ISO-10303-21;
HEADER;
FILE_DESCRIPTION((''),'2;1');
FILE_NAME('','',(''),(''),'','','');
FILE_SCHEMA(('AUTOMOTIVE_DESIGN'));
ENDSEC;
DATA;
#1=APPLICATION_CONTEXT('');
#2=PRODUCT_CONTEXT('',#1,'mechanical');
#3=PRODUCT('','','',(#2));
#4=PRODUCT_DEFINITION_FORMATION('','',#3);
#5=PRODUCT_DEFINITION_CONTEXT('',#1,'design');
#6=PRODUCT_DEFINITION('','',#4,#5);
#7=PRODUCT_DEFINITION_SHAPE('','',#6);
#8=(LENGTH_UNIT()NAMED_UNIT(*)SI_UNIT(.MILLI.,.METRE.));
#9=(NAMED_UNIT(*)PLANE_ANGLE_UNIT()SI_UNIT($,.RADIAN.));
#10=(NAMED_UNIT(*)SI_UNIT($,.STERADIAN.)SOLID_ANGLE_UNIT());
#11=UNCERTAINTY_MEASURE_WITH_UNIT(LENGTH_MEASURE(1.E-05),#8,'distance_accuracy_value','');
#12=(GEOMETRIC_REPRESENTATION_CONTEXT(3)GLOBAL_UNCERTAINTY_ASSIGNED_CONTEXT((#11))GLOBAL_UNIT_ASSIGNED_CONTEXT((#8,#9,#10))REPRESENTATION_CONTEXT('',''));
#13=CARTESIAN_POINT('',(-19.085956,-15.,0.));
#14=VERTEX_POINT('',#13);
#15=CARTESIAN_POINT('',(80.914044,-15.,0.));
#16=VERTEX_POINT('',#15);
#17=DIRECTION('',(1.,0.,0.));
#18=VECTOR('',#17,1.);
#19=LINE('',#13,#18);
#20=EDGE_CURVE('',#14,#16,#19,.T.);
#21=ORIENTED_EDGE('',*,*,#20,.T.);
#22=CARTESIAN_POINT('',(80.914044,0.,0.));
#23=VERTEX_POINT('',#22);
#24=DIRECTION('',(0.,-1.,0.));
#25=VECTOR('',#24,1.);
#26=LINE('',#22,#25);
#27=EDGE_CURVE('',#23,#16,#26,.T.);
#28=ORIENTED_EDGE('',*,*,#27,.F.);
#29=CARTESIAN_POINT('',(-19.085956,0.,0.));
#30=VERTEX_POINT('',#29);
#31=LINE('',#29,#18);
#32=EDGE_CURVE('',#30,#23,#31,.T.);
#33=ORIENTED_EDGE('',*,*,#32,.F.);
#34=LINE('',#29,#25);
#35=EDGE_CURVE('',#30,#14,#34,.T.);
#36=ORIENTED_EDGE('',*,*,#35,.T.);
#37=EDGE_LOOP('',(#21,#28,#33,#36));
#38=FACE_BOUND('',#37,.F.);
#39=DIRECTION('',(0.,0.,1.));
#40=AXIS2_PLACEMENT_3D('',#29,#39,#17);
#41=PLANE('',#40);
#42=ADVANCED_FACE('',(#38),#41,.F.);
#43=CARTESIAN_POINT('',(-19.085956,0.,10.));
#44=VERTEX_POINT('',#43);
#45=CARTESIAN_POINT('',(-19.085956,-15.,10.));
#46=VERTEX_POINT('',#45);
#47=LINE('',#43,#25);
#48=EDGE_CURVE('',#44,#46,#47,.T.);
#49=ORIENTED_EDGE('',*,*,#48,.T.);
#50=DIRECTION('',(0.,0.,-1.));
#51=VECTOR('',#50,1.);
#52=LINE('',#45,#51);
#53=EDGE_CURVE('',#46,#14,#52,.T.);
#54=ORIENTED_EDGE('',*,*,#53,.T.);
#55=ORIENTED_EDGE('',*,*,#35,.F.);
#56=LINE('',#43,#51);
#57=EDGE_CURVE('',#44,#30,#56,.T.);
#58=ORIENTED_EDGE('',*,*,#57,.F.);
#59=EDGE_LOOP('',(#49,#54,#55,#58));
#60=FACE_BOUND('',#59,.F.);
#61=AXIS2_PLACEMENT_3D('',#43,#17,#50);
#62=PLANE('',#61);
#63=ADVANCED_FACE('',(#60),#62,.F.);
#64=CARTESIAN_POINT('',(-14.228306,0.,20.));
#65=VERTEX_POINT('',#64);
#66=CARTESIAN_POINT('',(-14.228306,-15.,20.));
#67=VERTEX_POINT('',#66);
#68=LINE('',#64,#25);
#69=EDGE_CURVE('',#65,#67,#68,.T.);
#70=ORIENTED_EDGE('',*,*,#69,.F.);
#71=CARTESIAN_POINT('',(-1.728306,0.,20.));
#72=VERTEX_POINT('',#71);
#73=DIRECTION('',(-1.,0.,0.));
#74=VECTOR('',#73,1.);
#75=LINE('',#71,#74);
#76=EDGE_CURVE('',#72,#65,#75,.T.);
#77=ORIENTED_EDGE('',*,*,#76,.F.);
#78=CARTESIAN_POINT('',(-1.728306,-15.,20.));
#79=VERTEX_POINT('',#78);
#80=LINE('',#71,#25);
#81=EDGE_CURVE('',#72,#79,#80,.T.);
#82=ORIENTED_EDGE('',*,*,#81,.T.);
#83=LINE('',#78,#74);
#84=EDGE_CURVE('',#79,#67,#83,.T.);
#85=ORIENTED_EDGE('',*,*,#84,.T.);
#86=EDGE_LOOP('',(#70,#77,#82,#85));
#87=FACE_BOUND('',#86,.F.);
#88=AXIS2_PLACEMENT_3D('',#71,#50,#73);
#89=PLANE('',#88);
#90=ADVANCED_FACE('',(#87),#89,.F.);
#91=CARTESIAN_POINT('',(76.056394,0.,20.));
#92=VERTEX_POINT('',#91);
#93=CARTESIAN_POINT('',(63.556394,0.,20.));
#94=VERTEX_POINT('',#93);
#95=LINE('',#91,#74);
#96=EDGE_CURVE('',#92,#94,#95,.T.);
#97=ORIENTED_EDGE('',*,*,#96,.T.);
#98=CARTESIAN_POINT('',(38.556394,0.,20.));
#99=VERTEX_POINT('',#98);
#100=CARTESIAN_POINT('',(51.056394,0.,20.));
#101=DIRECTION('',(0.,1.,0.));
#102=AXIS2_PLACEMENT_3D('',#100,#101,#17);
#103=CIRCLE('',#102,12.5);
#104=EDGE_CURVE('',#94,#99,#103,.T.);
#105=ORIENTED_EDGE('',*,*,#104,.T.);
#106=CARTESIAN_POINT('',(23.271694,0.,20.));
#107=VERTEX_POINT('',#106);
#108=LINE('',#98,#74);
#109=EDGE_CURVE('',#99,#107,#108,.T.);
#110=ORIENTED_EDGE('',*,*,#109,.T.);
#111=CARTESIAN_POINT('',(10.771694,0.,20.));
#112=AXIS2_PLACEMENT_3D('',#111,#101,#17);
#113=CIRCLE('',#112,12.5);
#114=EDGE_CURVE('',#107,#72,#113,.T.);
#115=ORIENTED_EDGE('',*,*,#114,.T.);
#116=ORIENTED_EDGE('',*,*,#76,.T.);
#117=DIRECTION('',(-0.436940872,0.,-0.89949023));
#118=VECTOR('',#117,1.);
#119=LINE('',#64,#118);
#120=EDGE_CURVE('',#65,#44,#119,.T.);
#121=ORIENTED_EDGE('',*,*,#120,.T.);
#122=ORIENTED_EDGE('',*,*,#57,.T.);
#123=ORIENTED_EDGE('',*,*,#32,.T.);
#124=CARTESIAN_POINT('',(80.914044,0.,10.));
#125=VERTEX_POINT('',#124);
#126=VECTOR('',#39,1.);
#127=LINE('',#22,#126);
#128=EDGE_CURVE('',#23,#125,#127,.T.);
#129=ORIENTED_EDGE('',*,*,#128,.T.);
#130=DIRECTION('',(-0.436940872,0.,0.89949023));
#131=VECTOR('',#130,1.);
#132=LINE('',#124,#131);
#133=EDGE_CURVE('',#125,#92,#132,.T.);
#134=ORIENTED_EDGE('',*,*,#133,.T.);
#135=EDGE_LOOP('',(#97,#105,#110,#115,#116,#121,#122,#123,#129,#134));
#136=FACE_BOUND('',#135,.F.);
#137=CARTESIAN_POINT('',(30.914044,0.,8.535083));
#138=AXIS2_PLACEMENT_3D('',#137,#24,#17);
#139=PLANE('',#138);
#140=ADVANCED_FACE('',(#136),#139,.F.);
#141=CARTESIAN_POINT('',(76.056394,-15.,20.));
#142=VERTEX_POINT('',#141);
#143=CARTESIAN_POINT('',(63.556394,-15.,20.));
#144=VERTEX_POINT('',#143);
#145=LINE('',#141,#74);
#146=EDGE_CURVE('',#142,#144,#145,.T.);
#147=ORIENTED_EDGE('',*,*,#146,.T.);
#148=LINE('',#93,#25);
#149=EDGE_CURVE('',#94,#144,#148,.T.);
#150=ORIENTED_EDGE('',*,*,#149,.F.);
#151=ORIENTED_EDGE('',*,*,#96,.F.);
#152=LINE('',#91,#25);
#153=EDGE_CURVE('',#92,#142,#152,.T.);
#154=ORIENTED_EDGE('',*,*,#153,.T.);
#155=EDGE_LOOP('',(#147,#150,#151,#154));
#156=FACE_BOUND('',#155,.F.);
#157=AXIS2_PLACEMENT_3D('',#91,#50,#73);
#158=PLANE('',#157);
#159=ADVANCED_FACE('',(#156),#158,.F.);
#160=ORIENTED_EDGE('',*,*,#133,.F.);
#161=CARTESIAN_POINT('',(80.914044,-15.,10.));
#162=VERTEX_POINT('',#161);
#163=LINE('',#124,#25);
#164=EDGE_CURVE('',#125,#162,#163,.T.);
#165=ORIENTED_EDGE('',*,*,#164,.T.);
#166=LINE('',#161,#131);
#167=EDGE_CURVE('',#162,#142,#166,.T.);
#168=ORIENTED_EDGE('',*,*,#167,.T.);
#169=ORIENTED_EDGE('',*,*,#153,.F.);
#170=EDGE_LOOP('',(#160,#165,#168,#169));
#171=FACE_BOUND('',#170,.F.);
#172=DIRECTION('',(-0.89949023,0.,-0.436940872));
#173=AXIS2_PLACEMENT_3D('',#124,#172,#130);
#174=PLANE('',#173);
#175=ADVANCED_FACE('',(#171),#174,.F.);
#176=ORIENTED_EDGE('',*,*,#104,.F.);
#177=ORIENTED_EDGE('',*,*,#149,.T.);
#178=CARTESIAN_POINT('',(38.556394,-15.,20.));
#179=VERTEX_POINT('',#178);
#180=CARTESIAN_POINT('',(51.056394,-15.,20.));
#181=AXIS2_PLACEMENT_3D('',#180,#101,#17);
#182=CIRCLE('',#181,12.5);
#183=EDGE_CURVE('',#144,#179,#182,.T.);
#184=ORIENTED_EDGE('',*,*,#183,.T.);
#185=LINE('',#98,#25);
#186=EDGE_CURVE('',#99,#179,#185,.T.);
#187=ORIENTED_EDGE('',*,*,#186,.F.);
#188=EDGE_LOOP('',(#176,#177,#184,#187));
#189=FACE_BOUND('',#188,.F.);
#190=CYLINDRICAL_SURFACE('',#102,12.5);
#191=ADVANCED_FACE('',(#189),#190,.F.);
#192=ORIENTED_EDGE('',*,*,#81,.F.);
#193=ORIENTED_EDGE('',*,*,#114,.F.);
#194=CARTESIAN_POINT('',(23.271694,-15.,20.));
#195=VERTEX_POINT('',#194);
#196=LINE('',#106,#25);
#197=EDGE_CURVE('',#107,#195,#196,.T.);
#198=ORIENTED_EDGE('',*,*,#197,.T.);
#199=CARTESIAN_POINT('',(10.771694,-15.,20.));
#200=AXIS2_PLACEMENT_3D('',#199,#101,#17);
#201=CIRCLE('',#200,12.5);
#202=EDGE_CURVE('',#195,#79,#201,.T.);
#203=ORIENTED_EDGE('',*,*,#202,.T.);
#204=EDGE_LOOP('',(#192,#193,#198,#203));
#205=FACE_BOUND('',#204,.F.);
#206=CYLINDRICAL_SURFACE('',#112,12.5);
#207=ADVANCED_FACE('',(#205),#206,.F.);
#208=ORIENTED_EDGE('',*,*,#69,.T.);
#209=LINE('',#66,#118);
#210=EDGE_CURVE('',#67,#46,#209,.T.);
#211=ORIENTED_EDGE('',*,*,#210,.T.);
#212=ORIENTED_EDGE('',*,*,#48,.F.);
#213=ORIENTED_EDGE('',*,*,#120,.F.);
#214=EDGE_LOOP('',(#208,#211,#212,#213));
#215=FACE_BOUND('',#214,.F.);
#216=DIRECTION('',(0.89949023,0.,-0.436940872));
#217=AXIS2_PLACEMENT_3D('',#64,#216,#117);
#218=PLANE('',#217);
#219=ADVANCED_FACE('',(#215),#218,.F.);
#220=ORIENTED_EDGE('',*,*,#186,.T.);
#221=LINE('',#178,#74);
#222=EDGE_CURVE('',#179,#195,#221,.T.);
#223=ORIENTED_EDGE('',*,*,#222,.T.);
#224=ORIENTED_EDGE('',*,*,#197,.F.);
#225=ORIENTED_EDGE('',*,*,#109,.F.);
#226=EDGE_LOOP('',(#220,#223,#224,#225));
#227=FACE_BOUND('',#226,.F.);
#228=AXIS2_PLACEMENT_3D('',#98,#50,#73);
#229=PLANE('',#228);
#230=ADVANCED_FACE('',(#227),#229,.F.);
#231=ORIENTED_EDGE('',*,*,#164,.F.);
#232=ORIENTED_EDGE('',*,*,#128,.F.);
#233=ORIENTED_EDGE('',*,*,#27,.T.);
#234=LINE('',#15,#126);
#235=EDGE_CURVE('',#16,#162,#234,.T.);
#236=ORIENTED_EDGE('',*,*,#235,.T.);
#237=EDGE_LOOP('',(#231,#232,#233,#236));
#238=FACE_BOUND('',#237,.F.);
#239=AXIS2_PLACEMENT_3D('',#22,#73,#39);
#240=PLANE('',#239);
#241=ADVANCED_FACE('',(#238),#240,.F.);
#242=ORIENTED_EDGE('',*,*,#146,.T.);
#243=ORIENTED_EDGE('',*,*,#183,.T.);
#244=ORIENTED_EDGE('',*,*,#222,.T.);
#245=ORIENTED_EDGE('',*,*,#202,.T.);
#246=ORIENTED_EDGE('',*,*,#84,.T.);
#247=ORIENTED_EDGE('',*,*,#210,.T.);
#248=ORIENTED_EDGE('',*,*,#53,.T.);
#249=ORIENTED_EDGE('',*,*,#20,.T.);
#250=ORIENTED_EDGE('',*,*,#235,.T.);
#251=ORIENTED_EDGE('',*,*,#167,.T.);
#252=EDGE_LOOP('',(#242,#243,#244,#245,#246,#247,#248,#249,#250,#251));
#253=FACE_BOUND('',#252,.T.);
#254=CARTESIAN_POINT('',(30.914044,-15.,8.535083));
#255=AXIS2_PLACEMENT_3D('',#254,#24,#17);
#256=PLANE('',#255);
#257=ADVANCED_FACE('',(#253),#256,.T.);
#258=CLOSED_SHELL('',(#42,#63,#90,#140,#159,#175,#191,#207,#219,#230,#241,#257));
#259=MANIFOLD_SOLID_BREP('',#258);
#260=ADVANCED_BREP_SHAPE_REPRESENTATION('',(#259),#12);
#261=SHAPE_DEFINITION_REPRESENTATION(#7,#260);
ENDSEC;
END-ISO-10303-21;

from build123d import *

# Parameters (mm, degrees)
F1_DEPTH = 15


with BuildPart() as f1:
    # F0 (on Front) → F1 (new body)
    with BuildSketch(Plane.XZ):
        with BuildLine():
            Line((-19.085956, 10), (-19.085956, 0))
            Line((-19.085956, 0), (80.914044, 0))
            Line((80.914044, 0), (80.914044, 10))
            Line((80.914044, 10), (76.056394, 20))
            Line((76.056394, 20), (63.556394, 20))
            ThreePointArc((63.556394, 20), (51.056394, 7.5), (38.556394, 20))
            Line((38.556394, 20), (23.271694, 20))
            ThreePointArc((23.271694, 20), (10.771694, 7.5), (-1.728306, 20))
            Line((-1.728306, 20), (-14.228306, 20))
            Line((-14.228306, 20), (-19.085956, 10))
        make_face()
    extrude(amount=F1_DEPTH)


solid = f1.part
